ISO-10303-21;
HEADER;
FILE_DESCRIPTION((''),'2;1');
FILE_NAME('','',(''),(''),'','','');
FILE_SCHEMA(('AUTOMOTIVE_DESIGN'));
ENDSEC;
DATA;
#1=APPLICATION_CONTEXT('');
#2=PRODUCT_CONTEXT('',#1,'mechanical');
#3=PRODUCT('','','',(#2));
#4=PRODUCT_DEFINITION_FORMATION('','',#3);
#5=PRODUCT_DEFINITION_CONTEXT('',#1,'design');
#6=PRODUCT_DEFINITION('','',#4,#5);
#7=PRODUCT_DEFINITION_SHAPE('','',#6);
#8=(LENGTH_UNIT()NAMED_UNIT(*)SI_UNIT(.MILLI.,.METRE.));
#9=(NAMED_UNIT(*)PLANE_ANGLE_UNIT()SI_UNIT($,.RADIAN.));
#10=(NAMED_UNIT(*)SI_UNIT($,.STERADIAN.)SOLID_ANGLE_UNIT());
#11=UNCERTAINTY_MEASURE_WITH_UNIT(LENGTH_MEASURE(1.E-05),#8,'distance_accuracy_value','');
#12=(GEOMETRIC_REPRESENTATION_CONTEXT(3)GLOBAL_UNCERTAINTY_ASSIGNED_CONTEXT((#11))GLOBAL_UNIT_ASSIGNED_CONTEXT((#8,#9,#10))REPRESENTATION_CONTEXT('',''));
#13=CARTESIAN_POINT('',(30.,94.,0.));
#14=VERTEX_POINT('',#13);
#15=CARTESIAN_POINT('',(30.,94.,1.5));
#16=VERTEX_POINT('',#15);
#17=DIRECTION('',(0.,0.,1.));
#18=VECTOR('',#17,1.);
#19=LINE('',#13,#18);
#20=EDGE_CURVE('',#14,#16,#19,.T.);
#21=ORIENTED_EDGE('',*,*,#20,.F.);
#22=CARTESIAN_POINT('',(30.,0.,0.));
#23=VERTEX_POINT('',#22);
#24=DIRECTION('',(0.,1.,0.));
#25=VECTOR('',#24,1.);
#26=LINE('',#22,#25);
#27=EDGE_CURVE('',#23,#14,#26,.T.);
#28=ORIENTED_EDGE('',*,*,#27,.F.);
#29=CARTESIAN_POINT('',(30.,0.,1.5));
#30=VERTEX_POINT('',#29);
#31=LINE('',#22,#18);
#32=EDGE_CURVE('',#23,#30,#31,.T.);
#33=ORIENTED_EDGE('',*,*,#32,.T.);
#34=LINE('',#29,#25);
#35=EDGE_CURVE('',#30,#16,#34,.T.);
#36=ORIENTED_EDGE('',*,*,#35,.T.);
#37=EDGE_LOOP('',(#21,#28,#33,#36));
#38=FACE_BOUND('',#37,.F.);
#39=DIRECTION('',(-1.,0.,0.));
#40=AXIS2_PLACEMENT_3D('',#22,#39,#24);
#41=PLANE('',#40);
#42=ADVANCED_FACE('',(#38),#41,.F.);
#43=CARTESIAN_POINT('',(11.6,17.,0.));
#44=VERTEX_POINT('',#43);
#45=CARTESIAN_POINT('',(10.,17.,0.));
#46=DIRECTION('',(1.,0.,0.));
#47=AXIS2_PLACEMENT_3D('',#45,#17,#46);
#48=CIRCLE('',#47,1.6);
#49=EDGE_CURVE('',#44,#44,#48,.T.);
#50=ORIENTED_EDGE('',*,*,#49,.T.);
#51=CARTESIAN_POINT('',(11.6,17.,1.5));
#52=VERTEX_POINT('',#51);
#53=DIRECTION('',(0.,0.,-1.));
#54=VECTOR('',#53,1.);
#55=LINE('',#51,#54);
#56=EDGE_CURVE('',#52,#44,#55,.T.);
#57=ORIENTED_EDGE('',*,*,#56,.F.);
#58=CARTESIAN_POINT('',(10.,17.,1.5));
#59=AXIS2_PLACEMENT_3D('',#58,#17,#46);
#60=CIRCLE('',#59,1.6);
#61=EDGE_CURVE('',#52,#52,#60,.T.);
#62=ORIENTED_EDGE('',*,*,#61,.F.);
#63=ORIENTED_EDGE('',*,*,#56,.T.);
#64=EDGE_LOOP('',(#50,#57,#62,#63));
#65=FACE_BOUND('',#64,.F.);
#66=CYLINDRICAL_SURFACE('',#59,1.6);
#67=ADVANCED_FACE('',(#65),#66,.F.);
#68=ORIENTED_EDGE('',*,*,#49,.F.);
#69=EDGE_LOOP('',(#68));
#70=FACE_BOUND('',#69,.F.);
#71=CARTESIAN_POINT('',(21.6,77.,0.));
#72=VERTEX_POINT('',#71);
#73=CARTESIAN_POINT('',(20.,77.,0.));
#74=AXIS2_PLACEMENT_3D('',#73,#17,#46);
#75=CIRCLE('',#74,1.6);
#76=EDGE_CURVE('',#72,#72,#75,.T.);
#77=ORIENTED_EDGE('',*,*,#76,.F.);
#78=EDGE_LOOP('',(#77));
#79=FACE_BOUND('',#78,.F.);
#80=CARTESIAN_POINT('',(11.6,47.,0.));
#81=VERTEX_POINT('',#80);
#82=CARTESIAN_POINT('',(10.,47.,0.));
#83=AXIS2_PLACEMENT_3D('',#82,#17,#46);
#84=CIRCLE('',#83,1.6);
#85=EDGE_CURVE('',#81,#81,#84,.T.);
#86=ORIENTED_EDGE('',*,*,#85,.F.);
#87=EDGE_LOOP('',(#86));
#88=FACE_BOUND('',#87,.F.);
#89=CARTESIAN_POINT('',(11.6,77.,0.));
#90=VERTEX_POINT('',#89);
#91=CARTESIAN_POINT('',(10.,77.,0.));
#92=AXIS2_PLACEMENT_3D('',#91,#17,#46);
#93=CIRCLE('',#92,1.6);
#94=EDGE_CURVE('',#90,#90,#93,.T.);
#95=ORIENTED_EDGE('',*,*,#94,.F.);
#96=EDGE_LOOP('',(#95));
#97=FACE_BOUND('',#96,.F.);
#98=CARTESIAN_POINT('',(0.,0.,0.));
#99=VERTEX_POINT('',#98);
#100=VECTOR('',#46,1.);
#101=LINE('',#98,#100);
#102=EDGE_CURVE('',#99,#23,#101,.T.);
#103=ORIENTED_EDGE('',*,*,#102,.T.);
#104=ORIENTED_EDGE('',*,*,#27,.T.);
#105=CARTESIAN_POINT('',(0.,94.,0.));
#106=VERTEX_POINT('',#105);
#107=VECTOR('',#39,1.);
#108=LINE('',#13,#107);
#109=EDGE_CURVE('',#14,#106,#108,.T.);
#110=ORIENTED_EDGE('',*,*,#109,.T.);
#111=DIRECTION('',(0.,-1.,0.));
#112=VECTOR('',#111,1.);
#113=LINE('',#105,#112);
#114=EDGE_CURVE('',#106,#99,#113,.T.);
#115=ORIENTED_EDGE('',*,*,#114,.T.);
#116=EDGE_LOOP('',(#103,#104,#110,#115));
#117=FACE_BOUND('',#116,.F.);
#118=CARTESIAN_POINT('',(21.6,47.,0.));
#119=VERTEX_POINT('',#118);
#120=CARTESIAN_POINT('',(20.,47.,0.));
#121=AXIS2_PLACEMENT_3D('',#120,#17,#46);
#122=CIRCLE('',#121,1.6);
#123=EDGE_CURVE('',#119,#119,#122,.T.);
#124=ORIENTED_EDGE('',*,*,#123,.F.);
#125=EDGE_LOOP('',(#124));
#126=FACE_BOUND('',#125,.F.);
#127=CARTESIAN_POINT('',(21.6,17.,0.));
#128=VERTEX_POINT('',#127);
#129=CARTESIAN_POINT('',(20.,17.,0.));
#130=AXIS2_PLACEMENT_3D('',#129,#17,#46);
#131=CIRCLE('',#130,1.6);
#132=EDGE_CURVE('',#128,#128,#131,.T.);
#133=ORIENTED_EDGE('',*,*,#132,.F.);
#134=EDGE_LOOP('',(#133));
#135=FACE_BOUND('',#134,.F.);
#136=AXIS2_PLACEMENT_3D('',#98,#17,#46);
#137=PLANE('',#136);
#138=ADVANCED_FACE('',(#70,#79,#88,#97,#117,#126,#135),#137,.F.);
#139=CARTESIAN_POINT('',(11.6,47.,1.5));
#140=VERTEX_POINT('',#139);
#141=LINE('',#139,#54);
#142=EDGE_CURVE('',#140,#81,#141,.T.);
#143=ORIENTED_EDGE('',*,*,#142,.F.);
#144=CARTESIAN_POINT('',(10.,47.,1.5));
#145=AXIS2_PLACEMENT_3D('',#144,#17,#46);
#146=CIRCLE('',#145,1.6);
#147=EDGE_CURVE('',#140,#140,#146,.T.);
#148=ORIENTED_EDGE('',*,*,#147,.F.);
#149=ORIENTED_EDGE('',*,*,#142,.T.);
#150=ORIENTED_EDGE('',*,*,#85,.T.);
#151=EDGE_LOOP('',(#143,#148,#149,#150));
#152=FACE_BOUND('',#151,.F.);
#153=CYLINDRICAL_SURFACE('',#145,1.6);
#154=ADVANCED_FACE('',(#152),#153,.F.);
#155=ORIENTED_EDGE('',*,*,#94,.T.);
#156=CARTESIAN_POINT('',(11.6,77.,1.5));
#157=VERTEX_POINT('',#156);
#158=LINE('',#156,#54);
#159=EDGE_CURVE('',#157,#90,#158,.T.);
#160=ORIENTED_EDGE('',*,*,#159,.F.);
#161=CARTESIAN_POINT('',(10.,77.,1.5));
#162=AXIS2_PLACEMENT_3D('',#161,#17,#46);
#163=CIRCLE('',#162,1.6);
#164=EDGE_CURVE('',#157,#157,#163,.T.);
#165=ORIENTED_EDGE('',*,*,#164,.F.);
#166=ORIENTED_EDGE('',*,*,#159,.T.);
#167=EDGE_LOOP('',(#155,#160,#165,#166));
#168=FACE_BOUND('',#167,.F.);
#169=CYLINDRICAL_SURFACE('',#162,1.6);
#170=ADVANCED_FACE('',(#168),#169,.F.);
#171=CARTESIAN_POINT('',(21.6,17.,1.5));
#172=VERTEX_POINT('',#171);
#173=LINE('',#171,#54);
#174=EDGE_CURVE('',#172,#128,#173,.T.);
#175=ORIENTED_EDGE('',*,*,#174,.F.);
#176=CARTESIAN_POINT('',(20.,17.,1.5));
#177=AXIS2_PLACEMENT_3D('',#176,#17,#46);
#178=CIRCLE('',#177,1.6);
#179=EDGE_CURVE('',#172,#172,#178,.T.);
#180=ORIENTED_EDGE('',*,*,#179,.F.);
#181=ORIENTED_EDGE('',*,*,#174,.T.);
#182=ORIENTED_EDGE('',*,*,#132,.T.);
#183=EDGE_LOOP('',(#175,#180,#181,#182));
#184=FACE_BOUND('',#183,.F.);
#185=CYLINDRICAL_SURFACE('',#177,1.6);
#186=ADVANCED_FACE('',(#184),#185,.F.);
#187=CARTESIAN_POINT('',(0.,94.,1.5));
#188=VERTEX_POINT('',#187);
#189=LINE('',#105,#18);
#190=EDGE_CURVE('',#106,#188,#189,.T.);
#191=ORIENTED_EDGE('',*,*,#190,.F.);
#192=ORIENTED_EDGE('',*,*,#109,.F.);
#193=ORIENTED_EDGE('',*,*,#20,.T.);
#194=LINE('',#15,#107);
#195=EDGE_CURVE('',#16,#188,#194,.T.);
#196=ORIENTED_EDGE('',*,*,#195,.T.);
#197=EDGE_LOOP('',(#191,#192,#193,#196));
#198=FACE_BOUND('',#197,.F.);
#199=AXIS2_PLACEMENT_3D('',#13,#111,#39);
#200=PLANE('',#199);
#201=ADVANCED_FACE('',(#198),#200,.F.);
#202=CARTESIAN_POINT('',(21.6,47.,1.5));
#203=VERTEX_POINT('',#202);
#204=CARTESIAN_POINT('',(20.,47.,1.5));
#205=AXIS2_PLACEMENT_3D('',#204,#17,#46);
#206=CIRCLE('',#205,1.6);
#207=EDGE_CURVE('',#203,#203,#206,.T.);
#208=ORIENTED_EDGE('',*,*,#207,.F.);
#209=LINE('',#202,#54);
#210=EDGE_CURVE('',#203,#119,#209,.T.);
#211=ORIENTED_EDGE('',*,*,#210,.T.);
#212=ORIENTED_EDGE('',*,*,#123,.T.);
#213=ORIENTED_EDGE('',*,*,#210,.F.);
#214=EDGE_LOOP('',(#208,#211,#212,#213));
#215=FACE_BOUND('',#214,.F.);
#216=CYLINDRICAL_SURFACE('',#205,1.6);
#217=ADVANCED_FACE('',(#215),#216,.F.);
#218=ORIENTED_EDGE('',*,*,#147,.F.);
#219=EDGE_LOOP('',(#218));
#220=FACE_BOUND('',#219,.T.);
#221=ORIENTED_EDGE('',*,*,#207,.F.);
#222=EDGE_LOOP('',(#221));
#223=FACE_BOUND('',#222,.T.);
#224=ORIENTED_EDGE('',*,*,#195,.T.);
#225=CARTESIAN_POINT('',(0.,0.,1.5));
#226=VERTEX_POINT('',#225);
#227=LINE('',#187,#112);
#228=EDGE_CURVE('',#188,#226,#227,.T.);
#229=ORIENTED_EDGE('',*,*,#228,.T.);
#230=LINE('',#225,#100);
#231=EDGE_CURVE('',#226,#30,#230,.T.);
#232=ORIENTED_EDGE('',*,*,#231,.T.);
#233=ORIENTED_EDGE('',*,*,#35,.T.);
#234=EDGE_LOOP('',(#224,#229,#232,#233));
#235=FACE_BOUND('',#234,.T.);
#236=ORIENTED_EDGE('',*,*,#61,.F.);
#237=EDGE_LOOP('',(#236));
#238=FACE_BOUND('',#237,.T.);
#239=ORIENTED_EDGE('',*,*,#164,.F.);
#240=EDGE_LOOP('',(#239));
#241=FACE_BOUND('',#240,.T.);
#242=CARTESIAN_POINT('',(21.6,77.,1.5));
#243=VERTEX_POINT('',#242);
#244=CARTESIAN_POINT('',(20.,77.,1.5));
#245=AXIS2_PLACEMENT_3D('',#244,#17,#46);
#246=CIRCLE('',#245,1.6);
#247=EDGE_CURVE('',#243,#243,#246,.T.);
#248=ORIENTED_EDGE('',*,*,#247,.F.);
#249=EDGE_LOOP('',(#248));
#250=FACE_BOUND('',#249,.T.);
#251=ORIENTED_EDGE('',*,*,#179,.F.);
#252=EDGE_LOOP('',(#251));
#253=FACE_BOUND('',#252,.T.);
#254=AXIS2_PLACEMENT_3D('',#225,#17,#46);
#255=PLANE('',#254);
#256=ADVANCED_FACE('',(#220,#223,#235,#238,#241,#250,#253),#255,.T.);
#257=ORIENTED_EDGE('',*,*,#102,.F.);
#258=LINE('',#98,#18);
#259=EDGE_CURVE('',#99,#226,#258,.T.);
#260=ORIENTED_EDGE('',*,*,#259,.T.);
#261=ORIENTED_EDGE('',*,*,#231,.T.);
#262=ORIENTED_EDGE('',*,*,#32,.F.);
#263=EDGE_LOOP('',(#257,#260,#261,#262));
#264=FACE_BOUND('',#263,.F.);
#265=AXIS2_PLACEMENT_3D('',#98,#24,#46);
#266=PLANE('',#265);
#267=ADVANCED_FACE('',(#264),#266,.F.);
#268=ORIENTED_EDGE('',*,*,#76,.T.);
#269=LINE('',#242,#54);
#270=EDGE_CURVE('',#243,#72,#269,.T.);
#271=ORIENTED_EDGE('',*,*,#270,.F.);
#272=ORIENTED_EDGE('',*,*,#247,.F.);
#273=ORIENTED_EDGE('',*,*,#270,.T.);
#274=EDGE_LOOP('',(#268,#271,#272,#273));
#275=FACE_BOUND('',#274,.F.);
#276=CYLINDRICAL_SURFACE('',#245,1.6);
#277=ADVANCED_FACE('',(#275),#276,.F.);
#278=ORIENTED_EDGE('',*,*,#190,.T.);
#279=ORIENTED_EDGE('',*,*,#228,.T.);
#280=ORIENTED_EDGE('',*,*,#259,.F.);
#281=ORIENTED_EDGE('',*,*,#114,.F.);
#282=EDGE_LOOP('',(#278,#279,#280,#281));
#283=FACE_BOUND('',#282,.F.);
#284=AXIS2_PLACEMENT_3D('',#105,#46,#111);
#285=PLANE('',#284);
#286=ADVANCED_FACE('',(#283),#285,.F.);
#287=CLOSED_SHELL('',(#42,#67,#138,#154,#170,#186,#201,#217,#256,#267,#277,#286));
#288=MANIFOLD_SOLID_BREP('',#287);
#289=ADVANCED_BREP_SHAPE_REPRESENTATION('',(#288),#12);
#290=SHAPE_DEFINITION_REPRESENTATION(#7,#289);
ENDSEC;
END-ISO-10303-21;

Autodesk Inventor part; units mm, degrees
ref_plane "YZ Plane" through (0, 0, 0) normal (1, 0, 0) x (0, 1, 0)
ref_plane "XZ Plane" through (0, 0, 0) normal (0, 1, 0) x (-1, 0, 0)
ref_plane "XY Plane" through (0, 0, 0) normal (0, 0, 1) x (1, 0, 0)
sketch "スケッチ1" plane through (0, 0, 0) normal (0, 0, 1) x (1, 0, 0)
  line L0 (0, 0) -> (30, 0)
  line L1 (30, 0) -> (30, 94)
  line L2 (30, 94) -> (0, 94)
  line L3 (0, 94) -> (0, 0)
  dimension "d0" = 30
  dimension "d1" = 94
extrude "プレート1" add sketch "スケッチ1" along normal blind 1.5
sketch "スケッチ2" plane through (0, 0, 1.5) normal (0, 0, 1) x (1, 0, 0)
  line L0 (30, 94) -> (30, 0) projected
  circle A0 centre (10, 47) radius 1.6
  circle A1 centre (20, 47) radius 1.6
  line L1 (30, 0) -> (0, 0) projected
  line L2 (30, 94) -> (30, 0) projected
  line L3 (0, 94) -> (30, 94) projected
  line L4 (0, 0) -> (0, 94) projected
  line L5 (15, 94) -> (15, 0)
  circle A2 centre (20, 17) radius 1.6
  circle A3 centre (10, 17) radius 1.6
  circle A4 centre (20, 77) radius 1.6
  circle A5 centre (10, 77) radius 1.6
  circle A6 centre (20, 47) radius 1.6
  circle A7 centre (10, 47) radius 1.6
  point P0 (30, 47)
  dimension "d3" = 3.2
  dimension "d4" = 3.2
  dimension "d5" = 10
  dimension "d8" = 30
  dimension "d11" = 30
extrude "切り取り1" cut sketch "スケッチ2" against normal blind 1.5 contours A0 | A1 | A2 | A3 | A4 | A5
equation "\"d14\" = Thickness"
equation "\"d2\" = Thickness"
equation "\"BendRadius\" = Thickness"
equation "\"BendReliefWidth\" = Thickness"
equation "\"BendReliefDepth\" = 0.5 * Thickness"
equation "\"CornerReliefSize\" = 4 * Thickness"
equation "\"MinimumRemnant\" = 2 * Thickness"
equation "\"TransitionRadius\" = BendRadius"
equation "\"JacobiRadiusSize\" = BendRadius"
equation "\"GapSize\" = Thickness"
equation "\"Thickness\" = 1.5"
properties part number "rail_rail" material "アルミニウム 6061"
